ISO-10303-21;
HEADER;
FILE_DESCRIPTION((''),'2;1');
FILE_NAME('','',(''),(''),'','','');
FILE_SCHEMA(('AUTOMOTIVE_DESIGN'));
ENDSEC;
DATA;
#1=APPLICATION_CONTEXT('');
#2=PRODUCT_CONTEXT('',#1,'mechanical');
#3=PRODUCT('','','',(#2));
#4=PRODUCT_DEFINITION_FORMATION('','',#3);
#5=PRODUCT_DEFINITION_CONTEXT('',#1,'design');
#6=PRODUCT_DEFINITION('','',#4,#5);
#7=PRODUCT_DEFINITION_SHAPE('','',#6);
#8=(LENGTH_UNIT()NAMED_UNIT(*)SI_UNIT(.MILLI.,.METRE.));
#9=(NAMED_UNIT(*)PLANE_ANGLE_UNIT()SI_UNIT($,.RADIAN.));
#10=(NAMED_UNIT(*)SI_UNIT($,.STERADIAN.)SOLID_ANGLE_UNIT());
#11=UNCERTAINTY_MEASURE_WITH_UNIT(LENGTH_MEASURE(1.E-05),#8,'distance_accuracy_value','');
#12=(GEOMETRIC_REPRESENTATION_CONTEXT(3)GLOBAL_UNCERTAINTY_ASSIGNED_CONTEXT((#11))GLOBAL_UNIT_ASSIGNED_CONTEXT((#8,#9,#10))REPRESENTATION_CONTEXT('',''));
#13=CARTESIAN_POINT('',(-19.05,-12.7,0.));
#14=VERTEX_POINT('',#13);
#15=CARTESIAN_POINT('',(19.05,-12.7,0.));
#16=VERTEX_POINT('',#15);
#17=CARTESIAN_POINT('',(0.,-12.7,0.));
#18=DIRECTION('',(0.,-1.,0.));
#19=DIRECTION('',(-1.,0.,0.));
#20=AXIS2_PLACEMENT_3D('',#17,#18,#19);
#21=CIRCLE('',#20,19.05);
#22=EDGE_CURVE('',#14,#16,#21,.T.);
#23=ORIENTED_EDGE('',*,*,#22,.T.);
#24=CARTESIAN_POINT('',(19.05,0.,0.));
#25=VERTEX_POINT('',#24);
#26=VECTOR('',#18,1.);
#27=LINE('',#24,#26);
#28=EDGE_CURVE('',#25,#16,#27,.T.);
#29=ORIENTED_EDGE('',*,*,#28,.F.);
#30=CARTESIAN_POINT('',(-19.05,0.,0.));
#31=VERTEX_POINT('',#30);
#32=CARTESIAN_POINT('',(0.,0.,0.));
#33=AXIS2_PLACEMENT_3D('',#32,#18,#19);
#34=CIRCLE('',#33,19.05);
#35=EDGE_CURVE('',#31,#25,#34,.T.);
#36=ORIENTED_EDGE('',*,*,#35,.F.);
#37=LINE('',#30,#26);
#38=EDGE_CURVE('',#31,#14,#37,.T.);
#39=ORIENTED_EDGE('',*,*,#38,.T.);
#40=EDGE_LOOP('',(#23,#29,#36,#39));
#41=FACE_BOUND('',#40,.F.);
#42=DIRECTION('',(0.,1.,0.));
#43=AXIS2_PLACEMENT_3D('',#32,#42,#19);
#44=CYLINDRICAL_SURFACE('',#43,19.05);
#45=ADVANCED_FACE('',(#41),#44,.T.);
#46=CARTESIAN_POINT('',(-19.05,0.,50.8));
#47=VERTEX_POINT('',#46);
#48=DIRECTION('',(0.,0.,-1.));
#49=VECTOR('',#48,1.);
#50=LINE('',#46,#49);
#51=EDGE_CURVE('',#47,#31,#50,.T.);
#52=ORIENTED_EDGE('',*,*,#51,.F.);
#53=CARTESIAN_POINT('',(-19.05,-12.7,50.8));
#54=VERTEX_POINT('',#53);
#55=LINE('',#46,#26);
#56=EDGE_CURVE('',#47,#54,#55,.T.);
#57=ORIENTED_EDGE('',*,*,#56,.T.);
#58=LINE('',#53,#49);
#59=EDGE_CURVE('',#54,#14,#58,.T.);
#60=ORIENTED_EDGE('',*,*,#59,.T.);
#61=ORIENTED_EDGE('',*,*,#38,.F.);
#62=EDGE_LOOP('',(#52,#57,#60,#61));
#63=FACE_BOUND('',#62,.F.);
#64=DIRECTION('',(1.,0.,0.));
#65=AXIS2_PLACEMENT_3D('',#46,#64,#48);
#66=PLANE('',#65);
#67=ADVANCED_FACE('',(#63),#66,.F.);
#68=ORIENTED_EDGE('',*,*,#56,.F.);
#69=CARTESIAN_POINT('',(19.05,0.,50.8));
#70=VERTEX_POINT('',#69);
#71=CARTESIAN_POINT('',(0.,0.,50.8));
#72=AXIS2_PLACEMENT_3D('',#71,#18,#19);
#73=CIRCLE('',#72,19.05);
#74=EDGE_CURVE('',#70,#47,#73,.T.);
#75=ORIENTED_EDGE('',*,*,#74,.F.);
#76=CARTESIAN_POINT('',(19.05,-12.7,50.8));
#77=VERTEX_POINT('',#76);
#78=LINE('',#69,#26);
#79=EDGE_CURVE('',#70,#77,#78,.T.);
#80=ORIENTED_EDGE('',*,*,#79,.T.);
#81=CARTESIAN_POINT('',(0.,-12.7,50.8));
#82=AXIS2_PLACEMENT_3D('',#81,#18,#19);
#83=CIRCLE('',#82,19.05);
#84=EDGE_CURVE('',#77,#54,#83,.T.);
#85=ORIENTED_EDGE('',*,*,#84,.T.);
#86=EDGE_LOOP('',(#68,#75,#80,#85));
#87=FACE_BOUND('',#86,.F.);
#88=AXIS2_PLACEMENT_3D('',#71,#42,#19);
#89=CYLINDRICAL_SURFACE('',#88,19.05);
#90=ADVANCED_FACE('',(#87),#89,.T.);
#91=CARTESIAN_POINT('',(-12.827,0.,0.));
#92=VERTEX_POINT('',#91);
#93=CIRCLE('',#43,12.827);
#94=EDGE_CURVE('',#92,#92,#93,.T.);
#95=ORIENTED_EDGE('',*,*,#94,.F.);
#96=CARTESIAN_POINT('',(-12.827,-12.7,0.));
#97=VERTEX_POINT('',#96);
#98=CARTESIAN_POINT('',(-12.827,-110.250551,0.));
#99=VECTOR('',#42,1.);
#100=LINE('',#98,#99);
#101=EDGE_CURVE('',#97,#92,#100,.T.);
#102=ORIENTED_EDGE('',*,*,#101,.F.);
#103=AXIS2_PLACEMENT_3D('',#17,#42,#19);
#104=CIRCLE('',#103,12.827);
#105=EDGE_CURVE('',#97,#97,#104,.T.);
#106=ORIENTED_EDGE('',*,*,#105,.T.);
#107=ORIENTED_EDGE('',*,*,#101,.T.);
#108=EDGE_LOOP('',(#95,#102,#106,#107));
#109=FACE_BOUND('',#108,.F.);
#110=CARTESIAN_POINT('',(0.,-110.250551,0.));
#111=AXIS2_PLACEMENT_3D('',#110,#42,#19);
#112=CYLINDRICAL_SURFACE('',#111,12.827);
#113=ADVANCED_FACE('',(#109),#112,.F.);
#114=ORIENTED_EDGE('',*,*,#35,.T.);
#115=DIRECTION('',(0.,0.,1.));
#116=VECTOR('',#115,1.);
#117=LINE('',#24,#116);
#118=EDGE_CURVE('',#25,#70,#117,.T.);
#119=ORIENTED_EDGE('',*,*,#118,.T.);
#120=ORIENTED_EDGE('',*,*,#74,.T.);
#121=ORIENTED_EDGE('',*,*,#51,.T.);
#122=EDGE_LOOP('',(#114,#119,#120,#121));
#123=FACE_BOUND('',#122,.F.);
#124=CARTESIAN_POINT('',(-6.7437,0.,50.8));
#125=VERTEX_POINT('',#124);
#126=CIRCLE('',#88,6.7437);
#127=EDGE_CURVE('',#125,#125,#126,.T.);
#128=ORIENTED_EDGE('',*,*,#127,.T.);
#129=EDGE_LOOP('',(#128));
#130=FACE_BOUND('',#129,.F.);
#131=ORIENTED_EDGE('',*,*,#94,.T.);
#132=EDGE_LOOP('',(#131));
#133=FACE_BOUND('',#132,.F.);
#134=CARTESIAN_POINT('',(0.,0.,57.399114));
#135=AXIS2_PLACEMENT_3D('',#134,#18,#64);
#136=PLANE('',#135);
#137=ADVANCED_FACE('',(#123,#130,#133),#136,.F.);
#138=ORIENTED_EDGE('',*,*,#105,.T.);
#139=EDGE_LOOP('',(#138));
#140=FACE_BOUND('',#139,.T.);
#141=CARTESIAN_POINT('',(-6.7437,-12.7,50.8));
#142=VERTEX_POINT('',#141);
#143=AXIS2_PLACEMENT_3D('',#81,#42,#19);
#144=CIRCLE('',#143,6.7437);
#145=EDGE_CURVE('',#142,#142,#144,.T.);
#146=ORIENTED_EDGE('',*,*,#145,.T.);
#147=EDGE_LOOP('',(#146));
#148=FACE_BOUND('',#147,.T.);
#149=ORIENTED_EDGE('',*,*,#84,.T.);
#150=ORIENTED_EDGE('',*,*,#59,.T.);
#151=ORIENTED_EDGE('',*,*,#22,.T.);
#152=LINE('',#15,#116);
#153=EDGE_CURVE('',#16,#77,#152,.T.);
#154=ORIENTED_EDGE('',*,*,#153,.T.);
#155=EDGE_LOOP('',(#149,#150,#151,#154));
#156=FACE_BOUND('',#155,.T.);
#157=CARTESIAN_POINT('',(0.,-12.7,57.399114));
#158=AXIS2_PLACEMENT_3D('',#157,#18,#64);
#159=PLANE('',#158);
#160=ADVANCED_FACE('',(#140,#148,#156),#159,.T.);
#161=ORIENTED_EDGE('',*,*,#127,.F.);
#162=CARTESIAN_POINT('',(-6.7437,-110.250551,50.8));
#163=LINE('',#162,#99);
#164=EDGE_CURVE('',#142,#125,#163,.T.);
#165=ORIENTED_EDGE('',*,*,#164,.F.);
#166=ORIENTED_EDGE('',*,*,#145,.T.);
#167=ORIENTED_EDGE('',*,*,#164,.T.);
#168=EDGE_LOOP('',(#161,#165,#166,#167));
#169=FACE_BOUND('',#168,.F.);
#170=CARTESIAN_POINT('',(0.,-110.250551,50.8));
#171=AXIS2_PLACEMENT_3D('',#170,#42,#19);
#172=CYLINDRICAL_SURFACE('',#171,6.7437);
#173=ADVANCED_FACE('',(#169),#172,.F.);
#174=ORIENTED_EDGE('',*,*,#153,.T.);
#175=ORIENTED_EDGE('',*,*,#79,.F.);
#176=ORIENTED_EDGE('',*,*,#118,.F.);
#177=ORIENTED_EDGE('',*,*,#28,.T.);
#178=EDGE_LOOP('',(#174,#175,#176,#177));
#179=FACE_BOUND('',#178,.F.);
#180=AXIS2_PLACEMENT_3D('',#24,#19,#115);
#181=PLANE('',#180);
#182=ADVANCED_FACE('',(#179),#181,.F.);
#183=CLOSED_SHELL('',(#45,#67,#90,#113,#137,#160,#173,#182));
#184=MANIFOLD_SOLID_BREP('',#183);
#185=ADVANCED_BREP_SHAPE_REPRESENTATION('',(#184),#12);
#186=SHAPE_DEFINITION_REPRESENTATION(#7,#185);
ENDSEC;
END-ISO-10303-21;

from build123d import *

# Parameters (mm, degrees)
F1_DEPTH = 12.7
F4_D     = 13.4874
F5_D     = 25.654


with BuildPart() as f1:
    # F0 (on Front) → F1 (new body)
    with BuildSketch(Plane.XZ):
        with BuildLine():
            Line((-19.05, 50.8), (19.05, 50.8))
            ThreePointArc((19.05, 50.8), (0, 69.85), (-19.05, 50.8))
        make_face()
        with BuildLine():
            ThreePointArc((-19.05, 50.8), (0, 31.75), (19.05, 50.8))
            Line((19.05, 50.8), (-19.05, 50.8))
        make_face()
        with BuildLine():
            ThreePointArc((-19.05, 0), (0, 19.05), (19.05, 0))
            Line((19.05, 0), (19.05, 50.8))
            ThreePointArc((19.05, 50.8), (0, 31.75), (-19.05, 50.8))
            Line((-19.05, 50.8), (-19.05, 0))
        make_face()
        with BuildLine():
            Line((-19.05, 0), (19.05, 0))
            ThreePointArc((19.05, 0), (0, 19.05), (-19.05, 0))
        make_face()
        with BuildLine():
            ThreePointArc((-19.05, 0), (0, -19.05), (19.05, 0))
            Line((19.05, 0), (-19.05, 0))
        make_face()
    extrude(amount=F1_DEPTH)

    # F4 (through all)
    with Locations(Plane.XZ.offset(12.7)):
        with Locations((0, 50.8)):
            Hole(F4_D / 2)

    # F5 (through all)
    with Locations(Plane.XZ.offset(12.7)):
        with Locations((0, 0)):
            Hole(F5_D / 2)


solid = f1.part
